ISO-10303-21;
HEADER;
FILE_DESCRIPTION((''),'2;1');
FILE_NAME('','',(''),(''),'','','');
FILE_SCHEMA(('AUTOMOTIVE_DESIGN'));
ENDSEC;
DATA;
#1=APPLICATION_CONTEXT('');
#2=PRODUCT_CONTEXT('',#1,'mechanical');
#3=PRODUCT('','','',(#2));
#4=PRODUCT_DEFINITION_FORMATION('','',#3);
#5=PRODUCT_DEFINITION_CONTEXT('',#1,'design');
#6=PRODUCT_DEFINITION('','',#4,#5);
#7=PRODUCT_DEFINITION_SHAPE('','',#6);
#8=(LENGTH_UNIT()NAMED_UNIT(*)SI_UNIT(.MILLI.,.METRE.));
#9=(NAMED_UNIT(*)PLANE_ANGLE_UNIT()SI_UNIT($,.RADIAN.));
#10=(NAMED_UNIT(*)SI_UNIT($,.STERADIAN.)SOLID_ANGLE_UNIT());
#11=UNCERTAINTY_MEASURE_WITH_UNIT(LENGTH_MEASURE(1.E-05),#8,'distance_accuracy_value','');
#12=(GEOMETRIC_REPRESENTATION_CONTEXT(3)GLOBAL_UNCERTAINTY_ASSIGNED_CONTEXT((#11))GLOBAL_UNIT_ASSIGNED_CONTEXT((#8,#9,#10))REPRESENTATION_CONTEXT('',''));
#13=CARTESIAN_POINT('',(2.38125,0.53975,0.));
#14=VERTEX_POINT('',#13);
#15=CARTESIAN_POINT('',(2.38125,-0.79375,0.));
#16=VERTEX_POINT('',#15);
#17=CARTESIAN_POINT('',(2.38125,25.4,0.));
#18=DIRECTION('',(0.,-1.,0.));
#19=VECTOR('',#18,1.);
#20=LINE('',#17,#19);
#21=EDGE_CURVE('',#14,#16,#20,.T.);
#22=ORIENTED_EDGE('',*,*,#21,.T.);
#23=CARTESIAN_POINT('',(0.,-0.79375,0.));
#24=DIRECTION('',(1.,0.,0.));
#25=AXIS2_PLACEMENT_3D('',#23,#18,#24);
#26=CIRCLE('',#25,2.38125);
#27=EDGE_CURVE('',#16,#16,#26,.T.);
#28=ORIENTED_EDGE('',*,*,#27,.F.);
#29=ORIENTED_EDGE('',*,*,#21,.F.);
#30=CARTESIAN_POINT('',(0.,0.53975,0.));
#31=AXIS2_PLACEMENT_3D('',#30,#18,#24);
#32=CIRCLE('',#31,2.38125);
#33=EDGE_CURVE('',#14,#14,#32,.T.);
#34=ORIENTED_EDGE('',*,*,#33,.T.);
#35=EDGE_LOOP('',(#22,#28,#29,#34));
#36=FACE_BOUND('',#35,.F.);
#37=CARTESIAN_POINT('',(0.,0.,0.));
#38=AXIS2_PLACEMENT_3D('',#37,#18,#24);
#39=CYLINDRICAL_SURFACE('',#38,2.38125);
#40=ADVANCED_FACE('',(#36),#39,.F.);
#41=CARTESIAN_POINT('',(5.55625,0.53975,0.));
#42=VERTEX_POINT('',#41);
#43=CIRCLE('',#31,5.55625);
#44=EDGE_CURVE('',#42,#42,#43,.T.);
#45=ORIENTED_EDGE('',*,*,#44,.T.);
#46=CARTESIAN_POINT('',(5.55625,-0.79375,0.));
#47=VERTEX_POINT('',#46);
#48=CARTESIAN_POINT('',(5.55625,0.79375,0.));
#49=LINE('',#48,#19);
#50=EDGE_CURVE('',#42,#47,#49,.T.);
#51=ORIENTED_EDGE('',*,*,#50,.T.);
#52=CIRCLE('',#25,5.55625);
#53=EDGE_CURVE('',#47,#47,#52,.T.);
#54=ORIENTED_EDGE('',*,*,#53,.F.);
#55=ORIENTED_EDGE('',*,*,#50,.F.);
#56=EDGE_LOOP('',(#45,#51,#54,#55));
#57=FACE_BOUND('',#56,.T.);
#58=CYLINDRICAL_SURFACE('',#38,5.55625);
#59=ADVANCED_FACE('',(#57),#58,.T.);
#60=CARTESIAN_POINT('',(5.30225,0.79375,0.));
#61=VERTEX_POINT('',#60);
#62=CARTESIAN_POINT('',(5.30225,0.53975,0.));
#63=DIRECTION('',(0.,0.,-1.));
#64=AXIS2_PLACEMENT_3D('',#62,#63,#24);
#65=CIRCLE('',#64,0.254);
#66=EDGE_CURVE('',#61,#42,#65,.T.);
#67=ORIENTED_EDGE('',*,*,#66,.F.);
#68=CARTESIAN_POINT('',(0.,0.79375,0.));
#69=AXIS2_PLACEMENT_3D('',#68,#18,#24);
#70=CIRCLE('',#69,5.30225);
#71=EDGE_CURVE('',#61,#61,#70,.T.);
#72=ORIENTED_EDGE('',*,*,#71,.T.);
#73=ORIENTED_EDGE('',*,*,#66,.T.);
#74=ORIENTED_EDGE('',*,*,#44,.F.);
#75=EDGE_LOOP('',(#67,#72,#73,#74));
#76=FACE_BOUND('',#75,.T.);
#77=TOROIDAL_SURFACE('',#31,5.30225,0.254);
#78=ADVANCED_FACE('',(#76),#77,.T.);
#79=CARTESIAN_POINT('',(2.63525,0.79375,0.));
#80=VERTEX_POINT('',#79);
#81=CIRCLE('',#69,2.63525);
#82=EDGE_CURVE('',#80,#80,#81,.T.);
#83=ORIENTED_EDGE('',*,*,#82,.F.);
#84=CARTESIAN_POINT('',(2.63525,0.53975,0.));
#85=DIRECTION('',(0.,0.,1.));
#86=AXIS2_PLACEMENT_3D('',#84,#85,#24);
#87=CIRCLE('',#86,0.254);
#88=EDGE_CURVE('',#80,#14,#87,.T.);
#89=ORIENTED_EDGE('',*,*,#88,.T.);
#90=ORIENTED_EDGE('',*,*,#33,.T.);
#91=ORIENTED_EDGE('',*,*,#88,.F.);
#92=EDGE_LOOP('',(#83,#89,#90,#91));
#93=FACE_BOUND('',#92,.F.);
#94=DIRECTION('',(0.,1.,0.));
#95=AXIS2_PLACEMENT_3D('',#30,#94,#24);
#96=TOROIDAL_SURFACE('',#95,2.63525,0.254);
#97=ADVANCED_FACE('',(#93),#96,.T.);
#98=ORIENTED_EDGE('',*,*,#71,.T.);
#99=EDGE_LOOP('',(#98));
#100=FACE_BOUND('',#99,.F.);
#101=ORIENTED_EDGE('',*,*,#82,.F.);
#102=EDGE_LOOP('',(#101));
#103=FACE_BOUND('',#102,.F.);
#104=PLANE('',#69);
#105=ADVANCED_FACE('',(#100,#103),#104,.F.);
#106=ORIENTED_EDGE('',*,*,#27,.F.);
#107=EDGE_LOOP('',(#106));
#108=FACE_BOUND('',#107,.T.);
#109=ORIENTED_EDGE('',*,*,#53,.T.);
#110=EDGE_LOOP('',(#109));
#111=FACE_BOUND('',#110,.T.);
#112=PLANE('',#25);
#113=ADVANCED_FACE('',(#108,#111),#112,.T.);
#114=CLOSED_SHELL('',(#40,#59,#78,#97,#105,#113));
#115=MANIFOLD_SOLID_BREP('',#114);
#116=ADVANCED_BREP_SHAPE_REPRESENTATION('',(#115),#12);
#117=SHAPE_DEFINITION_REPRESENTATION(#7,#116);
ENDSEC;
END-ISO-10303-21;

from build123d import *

# Parameters (mm, degrees)
F0_R     = 5.55625
F1_DEPTH = 0.79375
F2_R     = 2.38125
F3_DEPTH = 25.4
F4_R     = 0.254
F5_R     = 0.254


with BuildPart() as f1:
    # F0 (on Front) → F1 (new body, symmetric)
    with BuildSketch(Plane.XZ):
        Circle(F0_R)
    extrude(amount=F1_DEPTH, both=True)

    # F2 (on Front) → F3 (cut, symmetric)
    with BuildSketch(Plane.XZ):
        Circle(F2_R)
    extrude(amount=F3_DEPTH, both=True, mode=Mode.SUBTRACT)

    # F4
    f4_edges = [f1.edges().sort_by_distance(p)[0] for p in [
        (-2.38125, 0.79375, 0),
    ]]
    fillet(f4_edges, radius=F4_R)

    # F5
    f5_edges = [f1.edges().sort_by_distance(p)[0] for p in [
        (-5.55625, 0.79375, 0),
    ]]
    fillet(f5_edges, radius=F5_R)


solid = f1.part
